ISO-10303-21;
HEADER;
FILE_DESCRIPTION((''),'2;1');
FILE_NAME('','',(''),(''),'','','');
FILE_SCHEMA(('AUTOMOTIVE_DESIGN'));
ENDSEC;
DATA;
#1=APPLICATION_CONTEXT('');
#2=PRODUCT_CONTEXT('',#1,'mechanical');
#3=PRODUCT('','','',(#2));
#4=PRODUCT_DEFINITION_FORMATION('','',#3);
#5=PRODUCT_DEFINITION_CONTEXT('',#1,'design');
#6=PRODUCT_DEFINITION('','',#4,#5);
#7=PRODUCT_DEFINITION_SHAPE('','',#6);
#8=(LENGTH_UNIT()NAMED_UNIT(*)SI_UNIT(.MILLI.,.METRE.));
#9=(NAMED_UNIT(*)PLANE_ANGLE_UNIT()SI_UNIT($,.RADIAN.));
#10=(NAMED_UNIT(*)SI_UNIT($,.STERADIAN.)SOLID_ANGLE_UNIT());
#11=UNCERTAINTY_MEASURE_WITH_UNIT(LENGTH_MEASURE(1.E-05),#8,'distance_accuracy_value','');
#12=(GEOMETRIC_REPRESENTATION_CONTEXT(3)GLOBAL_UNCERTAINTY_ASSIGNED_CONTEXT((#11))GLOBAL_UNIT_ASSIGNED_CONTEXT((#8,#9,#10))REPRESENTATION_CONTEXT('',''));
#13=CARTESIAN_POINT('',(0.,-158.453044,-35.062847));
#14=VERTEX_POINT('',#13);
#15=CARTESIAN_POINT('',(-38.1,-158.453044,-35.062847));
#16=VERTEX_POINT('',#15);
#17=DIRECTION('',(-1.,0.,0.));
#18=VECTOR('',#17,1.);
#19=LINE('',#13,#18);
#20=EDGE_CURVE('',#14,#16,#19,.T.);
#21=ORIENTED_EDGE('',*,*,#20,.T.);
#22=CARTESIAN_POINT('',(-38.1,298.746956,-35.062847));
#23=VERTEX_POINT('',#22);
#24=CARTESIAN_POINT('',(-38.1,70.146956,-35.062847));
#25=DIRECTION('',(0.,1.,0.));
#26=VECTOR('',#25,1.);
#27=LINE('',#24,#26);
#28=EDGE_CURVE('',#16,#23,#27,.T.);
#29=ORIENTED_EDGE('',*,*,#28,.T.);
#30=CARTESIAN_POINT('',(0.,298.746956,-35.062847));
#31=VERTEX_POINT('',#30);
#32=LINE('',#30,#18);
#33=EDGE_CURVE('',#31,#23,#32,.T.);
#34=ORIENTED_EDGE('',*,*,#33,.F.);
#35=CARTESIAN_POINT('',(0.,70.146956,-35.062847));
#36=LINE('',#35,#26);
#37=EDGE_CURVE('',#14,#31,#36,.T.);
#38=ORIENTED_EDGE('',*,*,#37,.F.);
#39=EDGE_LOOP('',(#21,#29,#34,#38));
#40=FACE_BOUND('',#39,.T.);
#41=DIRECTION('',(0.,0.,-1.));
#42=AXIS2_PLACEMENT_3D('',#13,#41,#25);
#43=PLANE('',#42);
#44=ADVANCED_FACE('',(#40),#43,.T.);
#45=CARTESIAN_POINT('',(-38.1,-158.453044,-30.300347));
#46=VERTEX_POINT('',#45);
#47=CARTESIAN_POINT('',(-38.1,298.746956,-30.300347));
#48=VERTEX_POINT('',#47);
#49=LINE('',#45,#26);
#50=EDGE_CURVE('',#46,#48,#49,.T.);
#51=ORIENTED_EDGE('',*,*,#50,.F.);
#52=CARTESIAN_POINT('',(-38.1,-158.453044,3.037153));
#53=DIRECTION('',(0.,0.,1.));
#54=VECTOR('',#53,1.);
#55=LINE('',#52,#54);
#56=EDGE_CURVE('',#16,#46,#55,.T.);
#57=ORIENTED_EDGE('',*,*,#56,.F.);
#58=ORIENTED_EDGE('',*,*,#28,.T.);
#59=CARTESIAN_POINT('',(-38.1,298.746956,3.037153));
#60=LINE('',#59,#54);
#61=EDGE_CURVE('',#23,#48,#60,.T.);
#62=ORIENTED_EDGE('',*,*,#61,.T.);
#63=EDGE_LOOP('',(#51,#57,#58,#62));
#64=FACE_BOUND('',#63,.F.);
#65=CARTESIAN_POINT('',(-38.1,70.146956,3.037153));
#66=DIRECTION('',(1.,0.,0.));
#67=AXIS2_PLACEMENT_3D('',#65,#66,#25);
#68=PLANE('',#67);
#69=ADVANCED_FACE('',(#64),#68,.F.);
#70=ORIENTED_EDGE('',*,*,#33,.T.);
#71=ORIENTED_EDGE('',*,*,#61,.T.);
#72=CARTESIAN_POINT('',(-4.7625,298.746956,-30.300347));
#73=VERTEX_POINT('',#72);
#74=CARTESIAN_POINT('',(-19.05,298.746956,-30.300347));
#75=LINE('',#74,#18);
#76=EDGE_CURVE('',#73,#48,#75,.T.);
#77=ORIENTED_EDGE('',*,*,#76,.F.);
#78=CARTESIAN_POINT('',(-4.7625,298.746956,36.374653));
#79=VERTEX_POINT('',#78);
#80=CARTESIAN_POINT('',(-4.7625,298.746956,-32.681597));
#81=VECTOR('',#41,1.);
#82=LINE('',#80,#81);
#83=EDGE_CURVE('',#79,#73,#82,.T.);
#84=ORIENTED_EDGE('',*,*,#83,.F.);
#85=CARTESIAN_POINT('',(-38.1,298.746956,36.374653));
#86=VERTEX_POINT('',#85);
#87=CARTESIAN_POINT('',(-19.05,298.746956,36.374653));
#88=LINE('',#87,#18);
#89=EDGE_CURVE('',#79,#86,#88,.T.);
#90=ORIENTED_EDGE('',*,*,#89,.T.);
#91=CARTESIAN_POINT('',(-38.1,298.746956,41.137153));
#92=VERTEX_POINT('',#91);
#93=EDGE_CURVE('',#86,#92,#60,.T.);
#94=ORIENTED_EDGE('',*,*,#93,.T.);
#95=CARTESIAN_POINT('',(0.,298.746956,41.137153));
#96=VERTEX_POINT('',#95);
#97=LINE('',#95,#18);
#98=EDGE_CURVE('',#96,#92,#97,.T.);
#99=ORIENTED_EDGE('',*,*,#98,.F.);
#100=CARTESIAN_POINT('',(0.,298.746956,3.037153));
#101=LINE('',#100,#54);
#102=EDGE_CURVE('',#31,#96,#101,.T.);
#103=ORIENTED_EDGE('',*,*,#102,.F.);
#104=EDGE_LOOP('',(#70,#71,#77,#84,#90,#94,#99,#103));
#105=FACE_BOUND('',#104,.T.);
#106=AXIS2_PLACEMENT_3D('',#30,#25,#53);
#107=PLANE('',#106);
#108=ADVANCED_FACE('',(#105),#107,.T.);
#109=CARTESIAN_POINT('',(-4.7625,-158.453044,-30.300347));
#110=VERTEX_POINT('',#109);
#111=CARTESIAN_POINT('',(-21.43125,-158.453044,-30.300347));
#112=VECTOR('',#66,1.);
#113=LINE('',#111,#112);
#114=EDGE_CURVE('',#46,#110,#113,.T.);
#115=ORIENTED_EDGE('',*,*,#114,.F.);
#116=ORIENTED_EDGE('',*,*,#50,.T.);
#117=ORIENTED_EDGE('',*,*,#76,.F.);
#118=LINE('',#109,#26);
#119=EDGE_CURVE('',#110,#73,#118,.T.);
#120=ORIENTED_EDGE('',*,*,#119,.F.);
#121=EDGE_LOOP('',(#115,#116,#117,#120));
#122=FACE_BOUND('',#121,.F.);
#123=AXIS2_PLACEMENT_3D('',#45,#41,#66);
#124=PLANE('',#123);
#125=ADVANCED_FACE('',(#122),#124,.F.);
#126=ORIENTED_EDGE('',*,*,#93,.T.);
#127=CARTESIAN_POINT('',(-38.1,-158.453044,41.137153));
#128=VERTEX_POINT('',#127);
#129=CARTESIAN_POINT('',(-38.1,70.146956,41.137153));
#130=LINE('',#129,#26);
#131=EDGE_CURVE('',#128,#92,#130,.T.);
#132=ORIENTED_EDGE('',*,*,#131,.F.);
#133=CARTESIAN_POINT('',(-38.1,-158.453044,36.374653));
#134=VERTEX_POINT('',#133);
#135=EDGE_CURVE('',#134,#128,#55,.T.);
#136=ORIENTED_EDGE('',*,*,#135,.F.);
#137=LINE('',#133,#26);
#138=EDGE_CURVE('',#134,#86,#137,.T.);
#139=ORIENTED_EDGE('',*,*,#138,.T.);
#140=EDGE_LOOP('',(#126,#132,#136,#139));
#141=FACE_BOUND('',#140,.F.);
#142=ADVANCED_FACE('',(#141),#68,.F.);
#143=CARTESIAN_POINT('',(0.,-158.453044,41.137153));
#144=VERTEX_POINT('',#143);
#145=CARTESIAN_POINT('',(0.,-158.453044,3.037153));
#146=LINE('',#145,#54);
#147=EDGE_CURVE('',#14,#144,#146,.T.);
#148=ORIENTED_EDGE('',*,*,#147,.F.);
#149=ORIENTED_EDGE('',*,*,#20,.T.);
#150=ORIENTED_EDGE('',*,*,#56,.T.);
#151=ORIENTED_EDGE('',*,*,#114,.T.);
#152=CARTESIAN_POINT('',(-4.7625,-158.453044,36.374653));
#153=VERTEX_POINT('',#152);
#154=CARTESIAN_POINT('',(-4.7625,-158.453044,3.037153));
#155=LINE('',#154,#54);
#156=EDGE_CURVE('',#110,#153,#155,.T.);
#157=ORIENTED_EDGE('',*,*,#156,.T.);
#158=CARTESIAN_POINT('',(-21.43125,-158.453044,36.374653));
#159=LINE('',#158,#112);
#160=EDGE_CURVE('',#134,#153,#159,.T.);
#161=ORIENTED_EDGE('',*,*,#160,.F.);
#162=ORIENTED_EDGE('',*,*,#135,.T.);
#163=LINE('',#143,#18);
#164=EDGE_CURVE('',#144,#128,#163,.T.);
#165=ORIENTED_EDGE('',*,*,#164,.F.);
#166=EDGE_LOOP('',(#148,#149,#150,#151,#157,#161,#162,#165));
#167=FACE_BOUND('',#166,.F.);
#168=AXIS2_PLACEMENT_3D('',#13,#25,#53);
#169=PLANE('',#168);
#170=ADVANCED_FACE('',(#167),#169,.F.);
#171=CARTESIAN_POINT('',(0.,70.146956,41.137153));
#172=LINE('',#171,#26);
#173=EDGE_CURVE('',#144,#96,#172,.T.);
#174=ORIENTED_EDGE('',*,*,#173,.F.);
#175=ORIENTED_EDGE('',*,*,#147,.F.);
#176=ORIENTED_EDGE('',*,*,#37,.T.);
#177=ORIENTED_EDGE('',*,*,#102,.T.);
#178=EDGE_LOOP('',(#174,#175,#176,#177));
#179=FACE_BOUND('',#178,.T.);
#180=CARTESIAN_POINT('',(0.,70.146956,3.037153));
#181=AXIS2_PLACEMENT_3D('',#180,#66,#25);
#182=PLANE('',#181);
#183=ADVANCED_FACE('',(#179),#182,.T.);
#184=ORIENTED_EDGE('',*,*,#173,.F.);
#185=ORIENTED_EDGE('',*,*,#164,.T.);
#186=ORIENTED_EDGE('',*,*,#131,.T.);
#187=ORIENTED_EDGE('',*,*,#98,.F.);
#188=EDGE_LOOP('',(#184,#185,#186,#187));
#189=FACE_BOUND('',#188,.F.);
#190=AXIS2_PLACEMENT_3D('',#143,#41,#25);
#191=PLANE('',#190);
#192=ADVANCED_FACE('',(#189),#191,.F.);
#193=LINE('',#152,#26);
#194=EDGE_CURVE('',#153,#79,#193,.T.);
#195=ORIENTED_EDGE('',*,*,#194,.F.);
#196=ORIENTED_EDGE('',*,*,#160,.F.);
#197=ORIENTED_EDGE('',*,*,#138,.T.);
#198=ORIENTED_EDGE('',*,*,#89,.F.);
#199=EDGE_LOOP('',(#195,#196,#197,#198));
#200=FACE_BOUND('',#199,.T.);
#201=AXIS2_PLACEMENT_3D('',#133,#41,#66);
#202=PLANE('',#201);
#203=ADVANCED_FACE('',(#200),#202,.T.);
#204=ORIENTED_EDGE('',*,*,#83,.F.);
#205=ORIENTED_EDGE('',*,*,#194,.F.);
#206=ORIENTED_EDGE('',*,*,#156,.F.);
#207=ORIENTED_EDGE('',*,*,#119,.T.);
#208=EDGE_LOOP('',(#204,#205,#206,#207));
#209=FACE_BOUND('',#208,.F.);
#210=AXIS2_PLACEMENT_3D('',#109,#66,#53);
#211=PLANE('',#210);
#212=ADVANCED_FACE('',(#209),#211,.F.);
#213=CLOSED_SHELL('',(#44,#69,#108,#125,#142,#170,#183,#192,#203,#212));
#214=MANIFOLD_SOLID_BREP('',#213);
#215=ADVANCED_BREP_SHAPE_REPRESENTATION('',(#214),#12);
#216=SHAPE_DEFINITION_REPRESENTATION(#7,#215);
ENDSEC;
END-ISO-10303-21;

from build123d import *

# Parameters (mm, degrees)
F0_W     = 457.2
F0_H     = 76.2
F1_DEPTH = 38.1
F2_W     = 33.3375
F2_H     = 66.675
F3_DEPTH = 482.6


with BuildPart() as f1:
    # F0 (on Right) → F1 (new body)
    with BuildSketch(Plane.YZ):
        with Locations((70.146956, 3.037153)):
            Rectangle(F0_W, F0_H)
    extrude(amount=-F1_DEPTH)

    # F2 (on face) → F3 (cut)
    with BuildSketch(Plane.XZ.offset(158.453044)):
        with Locations((-21.43125, 3.037153)):
            Rectangle(F2_W, F2_H)
    extrude(amount=-F3_DEPTH, mode=Mode.SUBTRACT)


solid = f1.part
